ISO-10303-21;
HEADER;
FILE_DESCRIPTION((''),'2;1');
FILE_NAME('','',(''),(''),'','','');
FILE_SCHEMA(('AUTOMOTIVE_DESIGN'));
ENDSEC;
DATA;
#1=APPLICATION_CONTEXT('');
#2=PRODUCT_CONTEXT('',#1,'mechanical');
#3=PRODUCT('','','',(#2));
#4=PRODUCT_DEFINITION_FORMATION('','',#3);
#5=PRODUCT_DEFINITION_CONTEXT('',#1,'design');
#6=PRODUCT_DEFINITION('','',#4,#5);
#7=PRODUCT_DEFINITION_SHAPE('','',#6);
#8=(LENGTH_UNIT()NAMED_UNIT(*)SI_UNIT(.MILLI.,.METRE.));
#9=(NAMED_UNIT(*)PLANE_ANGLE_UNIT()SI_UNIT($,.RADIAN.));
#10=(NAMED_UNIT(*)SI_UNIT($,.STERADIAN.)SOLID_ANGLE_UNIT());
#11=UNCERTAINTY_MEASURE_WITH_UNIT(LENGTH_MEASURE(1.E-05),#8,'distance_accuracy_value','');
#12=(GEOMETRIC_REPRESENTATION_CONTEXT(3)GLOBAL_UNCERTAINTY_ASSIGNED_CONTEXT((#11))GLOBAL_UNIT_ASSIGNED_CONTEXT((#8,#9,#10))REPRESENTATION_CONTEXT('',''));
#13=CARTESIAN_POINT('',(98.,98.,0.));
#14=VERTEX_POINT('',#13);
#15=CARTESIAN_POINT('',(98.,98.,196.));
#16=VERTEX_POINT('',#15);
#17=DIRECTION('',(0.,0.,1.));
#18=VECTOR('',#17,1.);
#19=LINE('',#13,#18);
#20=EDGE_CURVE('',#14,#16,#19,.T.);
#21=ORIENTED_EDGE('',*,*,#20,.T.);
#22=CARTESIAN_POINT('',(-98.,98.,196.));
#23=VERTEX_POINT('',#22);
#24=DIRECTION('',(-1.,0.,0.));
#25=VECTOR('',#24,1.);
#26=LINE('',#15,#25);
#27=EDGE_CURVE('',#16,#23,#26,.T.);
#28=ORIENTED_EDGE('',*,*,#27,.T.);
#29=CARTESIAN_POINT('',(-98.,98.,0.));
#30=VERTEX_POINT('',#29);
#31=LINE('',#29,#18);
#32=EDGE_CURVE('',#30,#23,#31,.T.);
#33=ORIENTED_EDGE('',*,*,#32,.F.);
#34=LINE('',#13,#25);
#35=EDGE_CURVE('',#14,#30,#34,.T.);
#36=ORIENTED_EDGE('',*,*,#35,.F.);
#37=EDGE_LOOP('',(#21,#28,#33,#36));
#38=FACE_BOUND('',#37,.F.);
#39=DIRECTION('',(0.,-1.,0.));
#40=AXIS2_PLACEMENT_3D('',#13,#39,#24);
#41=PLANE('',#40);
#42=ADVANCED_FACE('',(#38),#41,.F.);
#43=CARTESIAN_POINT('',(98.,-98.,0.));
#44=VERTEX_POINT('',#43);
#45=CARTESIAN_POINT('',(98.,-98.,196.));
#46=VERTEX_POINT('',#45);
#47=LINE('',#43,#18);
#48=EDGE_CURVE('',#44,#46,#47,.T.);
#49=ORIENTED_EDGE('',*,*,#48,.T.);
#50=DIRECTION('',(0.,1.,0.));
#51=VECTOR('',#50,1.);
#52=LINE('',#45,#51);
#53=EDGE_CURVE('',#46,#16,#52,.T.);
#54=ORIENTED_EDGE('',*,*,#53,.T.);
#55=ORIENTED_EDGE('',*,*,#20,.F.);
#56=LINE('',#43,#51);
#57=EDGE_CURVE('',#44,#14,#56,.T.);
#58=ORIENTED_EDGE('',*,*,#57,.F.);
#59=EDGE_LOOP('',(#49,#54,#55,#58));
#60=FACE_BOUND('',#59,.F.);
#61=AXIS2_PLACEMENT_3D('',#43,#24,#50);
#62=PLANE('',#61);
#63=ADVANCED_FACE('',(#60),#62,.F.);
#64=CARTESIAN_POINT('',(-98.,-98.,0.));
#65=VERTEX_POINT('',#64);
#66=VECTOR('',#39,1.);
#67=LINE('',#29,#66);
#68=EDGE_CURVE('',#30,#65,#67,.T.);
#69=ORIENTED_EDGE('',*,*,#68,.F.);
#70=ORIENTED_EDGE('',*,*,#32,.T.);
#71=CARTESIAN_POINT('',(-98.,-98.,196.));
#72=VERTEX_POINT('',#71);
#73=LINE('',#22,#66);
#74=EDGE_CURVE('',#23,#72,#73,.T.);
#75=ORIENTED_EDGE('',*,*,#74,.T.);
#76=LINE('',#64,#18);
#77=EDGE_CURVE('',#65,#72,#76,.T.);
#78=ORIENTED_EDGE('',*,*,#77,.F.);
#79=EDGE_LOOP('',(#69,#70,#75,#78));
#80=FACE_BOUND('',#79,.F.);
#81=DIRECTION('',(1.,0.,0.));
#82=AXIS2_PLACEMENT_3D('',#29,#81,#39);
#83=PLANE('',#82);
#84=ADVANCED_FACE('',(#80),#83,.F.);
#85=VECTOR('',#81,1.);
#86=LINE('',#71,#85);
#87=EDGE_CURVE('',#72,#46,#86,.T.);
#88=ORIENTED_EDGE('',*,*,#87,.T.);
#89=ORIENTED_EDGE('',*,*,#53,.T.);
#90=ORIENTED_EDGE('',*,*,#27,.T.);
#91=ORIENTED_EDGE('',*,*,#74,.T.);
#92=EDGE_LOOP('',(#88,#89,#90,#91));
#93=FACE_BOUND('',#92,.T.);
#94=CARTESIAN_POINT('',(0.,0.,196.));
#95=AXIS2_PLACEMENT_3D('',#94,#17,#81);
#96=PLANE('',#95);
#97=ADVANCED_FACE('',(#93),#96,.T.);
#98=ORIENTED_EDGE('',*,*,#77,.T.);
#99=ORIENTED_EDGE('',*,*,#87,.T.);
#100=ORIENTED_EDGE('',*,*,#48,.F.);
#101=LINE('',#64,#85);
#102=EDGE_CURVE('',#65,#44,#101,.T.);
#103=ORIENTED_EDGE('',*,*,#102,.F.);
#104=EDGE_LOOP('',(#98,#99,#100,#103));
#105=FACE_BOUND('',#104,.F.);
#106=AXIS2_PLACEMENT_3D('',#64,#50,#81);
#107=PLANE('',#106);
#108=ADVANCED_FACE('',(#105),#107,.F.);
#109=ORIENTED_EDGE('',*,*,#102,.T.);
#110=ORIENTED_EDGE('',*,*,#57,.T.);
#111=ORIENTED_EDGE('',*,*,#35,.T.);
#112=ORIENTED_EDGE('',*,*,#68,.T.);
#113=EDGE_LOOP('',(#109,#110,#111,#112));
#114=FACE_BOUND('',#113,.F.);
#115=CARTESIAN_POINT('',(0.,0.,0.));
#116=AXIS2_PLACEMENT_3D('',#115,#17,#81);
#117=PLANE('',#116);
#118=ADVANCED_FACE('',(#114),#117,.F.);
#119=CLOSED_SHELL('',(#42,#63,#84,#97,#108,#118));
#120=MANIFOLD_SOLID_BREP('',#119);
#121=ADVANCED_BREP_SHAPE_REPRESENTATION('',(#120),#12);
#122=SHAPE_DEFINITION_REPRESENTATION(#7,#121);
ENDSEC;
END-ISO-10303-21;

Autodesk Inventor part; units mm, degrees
ref_plane "YZ Plane" through (0, 0, 0) normal (1, 0, 0) x (0, 1, 0)
ref_plane "XZ Plane" through (0, 0, 0) normal (0, 1, 0) x (-1, 0, 0)
ref_plane "XY Plane" through (0, 0, 0) normal (0, 0, 1) x (1, 0, 0)
sketch "Sketch1" plane through (0, 0, 0) normal (0, 0, 1) x (1, 0, 0)
  line L0 (-98, -98) -> (98, -98)
  line L1 (98, -98) -> (98, 98)
  line L2 (98, 98) -> (-98, 98)
  line L3 (-98, 98) -> (-98, -98)
  line L4 (-98, -98) -> (98, 98) construction
  line L5 (98, -98) -> (-98, 98) construction
  point P0 (0, 0)
  dimension "d0" = 196
  dimension "d1" = 196
extrude "Extrusion1" add sketch "Sketch1" along normal blind 196
properties part number "Hydraulic tank"
